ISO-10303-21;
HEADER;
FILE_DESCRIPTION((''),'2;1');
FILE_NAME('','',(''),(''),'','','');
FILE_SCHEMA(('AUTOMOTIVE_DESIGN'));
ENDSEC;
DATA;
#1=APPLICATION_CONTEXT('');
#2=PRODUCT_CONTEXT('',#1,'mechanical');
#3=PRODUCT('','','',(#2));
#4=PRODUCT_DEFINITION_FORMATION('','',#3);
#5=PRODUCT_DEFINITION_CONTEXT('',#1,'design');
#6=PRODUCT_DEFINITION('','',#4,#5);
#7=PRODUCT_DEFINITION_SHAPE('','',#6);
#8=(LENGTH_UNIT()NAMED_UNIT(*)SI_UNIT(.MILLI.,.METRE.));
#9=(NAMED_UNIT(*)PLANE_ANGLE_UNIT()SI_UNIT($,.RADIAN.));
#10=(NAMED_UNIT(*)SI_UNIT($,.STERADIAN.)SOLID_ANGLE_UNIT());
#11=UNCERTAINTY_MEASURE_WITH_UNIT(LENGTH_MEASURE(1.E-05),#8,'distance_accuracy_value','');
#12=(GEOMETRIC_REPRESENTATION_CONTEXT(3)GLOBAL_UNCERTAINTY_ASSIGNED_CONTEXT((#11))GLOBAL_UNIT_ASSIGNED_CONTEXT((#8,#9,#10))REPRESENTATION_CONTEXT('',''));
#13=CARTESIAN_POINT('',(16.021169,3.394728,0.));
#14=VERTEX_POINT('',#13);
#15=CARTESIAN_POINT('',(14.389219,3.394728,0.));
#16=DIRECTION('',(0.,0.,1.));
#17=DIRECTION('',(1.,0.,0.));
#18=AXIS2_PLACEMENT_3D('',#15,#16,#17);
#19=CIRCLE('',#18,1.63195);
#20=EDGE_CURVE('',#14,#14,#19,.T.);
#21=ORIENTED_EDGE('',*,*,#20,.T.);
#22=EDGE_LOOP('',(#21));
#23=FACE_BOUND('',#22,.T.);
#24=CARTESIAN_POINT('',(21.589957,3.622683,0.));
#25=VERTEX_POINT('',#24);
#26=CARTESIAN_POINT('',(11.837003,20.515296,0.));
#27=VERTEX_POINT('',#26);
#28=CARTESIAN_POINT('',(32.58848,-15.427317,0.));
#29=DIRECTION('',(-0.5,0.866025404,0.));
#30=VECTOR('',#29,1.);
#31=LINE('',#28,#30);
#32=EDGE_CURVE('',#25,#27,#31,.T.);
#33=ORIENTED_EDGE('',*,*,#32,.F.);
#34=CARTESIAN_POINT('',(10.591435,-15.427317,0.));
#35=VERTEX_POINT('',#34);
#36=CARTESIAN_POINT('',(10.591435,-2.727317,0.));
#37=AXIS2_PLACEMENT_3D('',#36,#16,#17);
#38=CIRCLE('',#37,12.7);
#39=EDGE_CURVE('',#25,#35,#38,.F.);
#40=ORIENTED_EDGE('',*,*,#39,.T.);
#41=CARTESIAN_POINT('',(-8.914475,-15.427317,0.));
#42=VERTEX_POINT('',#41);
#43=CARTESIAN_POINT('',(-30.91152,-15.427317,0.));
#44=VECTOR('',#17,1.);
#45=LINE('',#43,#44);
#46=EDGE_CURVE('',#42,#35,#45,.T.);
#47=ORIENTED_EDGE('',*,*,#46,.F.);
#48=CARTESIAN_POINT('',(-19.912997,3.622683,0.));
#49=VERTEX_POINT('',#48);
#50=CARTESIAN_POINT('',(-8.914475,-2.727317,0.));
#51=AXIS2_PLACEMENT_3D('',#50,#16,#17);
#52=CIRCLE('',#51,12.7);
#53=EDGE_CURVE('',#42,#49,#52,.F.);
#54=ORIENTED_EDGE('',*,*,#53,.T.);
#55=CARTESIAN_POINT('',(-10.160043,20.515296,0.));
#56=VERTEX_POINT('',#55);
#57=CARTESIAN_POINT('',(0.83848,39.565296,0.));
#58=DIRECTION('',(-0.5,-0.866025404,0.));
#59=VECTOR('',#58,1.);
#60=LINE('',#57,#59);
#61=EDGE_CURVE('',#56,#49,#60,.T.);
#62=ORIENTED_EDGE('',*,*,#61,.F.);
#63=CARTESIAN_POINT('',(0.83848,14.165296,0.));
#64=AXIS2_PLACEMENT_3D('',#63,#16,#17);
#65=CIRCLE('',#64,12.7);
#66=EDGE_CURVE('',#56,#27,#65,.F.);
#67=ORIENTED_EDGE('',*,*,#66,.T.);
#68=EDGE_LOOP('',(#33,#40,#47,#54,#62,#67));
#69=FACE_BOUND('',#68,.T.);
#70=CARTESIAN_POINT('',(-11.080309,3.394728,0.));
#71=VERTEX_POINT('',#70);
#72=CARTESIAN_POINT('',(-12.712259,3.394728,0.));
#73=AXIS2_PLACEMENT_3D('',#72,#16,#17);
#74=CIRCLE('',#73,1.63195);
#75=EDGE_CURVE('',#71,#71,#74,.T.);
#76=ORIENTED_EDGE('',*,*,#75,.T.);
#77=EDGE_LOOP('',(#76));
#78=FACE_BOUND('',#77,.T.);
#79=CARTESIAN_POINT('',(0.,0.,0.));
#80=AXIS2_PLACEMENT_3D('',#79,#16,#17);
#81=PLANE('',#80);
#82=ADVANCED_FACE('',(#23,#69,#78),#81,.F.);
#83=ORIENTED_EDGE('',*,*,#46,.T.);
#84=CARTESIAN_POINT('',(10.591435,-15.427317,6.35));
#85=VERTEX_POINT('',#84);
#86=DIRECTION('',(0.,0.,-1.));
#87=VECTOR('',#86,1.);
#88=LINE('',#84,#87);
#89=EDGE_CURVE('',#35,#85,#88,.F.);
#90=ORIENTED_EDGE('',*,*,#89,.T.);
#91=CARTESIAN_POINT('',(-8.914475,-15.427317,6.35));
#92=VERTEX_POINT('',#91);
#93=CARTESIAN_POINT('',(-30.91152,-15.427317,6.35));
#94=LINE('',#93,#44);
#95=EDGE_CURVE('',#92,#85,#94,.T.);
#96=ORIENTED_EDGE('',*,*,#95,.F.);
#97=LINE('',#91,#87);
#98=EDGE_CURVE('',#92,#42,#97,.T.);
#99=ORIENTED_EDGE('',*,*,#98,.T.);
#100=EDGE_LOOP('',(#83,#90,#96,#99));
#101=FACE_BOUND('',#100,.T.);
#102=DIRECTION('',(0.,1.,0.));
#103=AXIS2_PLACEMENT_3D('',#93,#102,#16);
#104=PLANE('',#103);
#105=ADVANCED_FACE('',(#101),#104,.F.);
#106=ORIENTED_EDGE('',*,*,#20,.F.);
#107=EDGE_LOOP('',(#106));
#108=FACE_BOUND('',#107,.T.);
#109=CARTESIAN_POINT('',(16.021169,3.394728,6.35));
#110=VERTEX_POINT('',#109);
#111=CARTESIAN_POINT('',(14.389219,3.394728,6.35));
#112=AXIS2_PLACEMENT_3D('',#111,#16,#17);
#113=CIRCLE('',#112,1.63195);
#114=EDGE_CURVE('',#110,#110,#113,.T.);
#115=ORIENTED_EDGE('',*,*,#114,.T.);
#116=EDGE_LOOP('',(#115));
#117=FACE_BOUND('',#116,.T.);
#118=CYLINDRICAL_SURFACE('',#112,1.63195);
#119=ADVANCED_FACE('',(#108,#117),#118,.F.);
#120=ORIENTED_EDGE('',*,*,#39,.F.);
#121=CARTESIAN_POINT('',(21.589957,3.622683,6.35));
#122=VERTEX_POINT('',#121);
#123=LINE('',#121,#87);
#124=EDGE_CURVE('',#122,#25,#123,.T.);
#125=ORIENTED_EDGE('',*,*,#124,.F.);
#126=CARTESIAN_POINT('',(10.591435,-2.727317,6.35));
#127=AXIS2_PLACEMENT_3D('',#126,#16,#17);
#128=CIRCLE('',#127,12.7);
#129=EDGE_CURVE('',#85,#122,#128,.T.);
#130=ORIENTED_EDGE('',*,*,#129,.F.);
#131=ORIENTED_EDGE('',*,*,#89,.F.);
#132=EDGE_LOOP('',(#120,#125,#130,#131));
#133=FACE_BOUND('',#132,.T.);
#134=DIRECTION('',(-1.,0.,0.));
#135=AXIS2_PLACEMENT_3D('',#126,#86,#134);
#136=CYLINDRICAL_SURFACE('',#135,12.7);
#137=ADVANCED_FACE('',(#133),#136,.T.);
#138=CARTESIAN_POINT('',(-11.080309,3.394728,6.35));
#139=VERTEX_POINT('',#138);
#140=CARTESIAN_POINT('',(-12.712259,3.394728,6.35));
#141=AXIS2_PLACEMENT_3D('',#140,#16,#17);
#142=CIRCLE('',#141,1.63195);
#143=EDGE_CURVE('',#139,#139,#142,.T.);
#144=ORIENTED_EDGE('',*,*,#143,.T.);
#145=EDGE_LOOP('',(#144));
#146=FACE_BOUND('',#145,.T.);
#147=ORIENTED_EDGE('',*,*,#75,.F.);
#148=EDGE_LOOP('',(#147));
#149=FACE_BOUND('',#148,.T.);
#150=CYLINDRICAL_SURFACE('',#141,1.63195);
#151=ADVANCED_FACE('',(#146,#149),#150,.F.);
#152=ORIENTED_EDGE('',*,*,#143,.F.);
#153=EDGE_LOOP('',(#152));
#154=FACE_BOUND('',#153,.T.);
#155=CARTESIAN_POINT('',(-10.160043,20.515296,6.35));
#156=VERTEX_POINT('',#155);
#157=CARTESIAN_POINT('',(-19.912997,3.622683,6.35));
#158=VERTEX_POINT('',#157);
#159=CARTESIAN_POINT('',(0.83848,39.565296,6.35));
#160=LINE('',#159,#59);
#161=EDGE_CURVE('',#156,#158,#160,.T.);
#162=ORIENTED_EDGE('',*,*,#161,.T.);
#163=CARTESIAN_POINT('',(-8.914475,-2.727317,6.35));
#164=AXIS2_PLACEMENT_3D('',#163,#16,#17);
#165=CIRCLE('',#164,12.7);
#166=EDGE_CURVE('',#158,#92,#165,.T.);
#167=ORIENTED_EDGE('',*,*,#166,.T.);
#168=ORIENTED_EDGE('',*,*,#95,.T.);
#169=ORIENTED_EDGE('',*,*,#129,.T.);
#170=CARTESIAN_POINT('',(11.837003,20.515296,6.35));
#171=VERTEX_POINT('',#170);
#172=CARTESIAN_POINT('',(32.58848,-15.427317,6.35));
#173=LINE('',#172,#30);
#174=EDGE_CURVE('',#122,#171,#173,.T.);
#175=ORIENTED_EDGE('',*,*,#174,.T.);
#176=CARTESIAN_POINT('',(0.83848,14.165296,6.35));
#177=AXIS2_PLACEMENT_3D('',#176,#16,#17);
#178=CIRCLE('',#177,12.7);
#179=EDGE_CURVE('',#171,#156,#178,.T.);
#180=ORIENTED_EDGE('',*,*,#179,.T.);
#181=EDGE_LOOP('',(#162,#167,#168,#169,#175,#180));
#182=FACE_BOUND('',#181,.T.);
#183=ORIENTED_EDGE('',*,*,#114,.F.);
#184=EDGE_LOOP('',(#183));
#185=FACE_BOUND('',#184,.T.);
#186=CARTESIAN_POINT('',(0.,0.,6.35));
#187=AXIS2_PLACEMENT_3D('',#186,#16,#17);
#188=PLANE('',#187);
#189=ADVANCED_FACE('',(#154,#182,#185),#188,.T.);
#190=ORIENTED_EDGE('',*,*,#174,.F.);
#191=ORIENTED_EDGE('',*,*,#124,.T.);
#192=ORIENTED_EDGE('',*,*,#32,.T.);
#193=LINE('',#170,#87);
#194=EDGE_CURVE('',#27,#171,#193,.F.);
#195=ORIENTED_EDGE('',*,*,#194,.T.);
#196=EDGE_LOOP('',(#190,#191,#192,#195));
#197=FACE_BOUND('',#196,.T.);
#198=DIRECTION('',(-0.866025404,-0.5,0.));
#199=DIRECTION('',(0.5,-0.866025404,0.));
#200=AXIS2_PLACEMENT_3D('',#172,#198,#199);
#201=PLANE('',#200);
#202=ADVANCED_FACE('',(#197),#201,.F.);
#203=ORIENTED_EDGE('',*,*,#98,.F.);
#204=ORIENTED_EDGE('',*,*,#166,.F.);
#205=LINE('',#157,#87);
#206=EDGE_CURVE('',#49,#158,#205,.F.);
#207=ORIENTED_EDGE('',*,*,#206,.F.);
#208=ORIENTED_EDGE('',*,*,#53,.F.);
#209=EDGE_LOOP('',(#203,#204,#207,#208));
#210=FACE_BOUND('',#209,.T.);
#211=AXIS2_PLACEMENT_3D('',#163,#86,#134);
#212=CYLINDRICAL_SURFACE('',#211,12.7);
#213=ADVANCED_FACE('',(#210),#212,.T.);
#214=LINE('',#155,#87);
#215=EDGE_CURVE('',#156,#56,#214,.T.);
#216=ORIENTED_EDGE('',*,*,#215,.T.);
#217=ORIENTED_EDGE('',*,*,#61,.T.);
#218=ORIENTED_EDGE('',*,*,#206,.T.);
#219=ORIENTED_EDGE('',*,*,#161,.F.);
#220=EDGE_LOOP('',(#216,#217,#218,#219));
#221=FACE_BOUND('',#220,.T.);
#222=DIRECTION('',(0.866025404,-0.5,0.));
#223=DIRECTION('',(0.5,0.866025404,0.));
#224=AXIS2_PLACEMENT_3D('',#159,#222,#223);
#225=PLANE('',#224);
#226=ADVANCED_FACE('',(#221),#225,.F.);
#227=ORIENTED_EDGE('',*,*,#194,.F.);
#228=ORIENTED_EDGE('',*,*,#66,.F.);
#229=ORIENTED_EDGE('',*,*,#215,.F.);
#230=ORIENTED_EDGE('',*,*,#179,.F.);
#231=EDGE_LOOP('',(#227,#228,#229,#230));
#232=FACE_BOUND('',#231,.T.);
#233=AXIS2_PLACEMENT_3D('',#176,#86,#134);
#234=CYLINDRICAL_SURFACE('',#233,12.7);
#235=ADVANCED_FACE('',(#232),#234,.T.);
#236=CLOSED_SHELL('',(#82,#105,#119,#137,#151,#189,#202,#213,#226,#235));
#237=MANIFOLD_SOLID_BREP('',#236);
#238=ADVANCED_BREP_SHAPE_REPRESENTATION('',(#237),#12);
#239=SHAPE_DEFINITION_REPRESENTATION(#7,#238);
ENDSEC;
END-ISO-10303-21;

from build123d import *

# Parameters (mm, degrees)
BOSS_EXTRUDE1_DEPTH       = 6.35
F_4_CLEARANCE_HOLE1_D     = 3.2639
F_4_CLEARANCE_HOLE1_DEPTH = 9.652
F_4_CLEARANCE_HOLE1_TIP   = 0.980574487
FILLET1_R                 = 12.7


with BuildPart() as part:
    # Sketch1 → Boss-Extrude1 (new body)
    with BuildSketch(Plane.XY):
        Polygon((0.838479943, 39.56529588), (-30.911520057, -15.42731726), (32.588479943, -15.42731726), align=None)
    extrude(amount=BOSS_EXTRUDE1_DEPTH)

    # #4 Clearance Hole1
    with Locations(Plane(origin=(-12.712258743, 3.394727996, 6.35), x_dir=(1, 0, 0), z_dir=(0, 0, 1))):
        with Locations((0, 0), (27.101477372, 0)):
            Hole(F_4_CLEARANCE_HOLE1_D / 2, depth=F_4_CLEARANCE_HOLE1_DEPTH)
            with Locations((0, 0, -(F_4_CLEARANCE_HOLE1_DEPTH + F_4_CLEARANCE_HOLE1_TIP / 2))):  # 118° drill point
                Cone(0, F_4_CLEARANCE_HOLE1_D / 2, F_4_CLEARANCE_HOLE1_TIP, mode=Mode.SUBTRACT)

    # Fillet1
    fillet1_edges = [part.edges().sort_by_distance(p)[0] for p in [
        (32.588479943, -15.42731726, 3.175),
        (-30.911520057, -15.42731726, 3.175),
        (0.838479943, 39.56529588, 3.175),
    ]]
    fillet(fillet1_edges, radius=FILLET1_R)


solid = part.part
